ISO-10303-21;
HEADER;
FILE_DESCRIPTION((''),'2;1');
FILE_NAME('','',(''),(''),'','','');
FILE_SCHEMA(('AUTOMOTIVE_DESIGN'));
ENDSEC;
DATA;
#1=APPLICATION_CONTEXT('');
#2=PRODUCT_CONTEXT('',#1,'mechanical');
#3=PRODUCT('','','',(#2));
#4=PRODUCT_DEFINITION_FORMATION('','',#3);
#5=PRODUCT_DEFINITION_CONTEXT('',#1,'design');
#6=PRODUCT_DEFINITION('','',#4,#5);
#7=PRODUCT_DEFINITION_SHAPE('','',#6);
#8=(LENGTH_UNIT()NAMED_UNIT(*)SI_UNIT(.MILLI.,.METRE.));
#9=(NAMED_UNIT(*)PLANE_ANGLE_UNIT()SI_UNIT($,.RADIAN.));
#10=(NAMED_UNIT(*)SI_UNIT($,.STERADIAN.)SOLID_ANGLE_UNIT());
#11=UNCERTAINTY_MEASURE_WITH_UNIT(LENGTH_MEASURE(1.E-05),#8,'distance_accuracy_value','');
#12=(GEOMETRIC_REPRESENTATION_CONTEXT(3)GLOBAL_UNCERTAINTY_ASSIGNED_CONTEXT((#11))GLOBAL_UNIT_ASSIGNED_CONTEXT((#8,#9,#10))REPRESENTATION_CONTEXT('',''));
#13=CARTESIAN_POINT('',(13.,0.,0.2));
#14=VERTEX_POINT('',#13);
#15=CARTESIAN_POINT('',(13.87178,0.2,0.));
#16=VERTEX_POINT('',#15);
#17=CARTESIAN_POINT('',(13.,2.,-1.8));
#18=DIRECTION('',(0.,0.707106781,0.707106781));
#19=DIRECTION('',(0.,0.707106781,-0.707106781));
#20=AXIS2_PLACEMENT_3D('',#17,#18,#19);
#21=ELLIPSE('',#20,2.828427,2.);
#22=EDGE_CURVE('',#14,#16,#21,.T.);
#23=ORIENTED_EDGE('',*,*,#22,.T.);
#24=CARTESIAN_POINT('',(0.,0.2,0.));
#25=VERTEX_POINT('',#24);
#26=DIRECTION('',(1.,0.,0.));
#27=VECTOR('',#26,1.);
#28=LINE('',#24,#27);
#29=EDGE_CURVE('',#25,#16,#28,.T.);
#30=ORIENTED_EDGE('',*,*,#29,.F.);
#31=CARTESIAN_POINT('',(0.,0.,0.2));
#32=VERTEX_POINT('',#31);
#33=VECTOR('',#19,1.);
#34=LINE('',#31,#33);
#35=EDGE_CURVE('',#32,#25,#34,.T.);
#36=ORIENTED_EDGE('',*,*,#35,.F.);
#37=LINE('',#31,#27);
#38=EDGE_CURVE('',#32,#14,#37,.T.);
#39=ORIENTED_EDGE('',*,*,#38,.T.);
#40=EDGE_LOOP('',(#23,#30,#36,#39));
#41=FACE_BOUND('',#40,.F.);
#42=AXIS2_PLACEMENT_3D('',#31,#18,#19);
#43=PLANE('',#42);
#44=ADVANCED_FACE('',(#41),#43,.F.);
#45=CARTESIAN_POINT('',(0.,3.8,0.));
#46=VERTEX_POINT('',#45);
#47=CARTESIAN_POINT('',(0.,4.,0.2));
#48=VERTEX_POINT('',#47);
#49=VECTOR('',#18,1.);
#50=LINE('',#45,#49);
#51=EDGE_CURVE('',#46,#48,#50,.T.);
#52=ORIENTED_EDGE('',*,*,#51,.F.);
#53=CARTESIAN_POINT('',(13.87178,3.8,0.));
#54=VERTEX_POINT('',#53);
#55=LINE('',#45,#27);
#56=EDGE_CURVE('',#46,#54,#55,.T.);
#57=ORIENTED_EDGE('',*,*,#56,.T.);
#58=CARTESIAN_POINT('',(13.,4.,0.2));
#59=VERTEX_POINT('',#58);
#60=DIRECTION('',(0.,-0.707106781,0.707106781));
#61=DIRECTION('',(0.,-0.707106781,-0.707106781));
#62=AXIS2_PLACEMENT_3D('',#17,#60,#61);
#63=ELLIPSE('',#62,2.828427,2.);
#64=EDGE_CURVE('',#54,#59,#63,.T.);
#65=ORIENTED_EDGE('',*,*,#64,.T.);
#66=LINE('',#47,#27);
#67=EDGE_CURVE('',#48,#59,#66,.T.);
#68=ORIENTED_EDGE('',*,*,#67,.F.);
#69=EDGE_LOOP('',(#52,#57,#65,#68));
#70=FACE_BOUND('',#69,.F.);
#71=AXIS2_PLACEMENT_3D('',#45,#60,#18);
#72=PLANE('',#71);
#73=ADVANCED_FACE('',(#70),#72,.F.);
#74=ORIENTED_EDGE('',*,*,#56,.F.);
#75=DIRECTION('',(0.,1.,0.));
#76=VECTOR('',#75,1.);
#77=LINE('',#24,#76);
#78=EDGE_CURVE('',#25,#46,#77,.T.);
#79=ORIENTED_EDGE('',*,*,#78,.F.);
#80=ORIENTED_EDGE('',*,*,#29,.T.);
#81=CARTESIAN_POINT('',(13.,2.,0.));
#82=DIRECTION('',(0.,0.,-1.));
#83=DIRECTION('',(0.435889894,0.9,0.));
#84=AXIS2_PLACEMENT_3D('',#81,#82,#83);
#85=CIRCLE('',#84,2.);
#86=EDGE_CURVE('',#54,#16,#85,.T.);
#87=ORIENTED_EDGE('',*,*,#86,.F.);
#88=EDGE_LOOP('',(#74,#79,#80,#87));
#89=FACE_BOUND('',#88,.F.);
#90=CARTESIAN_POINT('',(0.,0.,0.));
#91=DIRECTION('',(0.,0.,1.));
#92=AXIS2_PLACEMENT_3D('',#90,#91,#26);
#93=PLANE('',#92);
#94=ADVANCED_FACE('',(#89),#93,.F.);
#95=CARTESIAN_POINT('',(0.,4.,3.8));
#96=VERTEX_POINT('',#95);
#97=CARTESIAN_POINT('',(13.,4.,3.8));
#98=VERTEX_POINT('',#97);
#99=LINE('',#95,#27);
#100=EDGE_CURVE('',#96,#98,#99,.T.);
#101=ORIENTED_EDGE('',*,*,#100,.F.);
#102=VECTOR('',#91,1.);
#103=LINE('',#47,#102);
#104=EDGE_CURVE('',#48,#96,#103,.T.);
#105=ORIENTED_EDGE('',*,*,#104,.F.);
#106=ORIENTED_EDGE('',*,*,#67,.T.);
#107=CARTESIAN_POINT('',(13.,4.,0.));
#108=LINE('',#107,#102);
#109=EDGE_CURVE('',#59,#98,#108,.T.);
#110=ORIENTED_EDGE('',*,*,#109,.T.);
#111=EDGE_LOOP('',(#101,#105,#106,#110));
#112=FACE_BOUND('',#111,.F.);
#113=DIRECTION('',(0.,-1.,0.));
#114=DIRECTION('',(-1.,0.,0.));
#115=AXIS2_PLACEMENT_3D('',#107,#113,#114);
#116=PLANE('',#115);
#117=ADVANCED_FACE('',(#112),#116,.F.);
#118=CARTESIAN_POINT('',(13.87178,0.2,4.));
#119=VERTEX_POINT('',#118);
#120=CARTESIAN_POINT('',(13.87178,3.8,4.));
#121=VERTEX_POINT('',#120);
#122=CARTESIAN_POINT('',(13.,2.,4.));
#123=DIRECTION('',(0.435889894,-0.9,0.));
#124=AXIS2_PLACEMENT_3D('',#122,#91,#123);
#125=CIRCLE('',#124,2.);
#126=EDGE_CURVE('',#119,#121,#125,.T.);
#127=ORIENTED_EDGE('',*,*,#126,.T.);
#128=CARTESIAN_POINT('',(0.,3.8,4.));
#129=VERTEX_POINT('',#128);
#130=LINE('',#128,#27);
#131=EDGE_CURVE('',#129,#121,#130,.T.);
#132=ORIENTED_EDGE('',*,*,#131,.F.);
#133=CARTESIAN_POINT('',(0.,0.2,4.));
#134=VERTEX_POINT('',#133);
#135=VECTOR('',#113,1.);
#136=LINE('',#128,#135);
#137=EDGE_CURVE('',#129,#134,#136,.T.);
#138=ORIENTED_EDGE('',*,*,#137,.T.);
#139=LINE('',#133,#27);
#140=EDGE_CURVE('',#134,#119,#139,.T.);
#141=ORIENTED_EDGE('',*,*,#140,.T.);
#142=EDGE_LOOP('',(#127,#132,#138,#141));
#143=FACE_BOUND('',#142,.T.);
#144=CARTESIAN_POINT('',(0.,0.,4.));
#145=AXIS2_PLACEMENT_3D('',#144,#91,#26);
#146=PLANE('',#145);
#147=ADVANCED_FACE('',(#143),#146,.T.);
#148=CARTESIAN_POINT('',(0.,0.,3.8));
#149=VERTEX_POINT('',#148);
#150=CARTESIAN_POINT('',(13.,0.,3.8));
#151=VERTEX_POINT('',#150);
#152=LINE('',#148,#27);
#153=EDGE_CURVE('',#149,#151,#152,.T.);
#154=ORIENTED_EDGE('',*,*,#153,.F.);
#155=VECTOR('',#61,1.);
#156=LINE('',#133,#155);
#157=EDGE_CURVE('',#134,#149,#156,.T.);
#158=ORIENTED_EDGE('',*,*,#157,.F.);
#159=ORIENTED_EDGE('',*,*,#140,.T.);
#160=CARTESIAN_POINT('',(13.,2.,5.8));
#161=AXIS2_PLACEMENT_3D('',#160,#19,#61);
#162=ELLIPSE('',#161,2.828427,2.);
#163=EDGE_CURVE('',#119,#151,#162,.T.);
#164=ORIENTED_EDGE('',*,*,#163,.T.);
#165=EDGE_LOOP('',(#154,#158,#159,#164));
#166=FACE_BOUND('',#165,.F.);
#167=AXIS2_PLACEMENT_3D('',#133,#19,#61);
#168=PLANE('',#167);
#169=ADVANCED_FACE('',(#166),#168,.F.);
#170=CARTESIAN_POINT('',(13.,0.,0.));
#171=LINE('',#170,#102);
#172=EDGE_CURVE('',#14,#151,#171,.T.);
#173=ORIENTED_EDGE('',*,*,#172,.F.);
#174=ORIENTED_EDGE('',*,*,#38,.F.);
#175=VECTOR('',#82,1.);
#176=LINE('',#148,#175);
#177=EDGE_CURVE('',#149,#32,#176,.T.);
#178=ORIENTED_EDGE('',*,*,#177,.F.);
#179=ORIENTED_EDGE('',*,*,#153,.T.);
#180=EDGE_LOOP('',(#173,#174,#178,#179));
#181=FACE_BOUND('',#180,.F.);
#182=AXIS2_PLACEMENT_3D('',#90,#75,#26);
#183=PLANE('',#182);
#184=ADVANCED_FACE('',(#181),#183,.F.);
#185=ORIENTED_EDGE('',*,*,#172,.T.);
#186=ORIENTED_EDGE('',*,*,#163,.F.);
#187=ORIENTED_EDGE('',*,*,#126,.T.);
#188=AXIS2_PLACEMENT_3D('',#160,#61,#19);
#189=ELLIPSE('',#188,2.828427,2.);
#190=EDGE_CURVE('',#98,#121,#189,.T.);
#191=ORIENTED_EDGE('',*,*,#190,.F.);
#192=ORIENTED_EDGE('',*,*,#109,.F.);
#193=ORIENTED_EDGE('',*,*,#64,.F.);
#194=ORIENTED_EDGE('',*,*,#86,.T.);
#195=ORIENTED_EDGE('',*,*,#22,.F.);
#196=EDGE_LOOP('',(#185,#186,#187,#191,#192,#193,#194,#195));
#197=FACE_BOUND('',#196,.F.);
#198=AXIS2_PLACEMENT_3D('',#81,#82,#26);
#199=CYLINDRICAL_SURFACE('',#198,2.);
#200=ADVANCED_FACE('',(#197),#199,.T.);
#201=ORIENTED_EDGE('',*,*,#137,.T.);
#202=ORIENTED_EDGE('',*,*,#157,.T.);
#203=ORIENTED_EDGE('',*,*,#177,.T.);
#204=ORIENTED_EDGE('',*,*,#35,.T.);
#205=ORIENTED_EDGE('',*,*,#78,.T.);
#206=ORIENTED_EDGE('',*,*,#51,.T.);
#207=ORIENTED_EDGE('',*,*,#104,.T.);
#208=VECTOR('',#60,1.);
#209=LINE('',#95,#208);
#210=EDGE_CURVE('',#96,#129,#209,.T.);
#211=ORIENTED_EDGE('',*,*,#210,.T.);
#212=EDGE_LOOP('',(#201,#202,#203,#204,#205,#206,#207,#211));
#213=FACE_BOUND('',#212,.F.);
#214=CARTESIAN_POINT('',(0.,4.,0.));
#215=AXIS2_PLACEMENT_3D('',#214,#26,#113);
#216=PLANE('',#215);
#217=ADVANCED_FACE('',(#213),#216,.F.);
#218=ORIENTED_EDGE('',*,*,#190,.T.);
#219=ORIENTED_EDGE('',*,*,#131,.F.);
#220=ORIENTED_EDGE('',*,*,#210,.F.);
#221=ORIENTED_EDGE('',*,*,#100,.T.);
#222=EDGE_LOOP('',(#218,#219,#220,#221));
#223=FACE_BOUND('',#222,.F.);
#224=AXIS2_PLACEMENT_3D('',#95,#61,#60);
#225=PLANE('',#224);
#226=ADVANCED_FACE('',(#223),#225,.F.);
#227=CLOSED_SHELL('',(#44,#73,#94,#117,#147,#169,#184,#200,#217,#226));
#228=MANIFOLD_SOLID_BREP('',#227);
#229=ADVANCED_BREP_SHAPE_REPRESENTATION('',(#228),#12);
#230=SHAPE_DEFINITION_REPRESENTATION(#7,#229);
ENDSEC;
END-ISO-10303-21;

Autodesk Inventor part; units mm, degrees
ref_plane "YZ Plane" through (0, 0, 0) normal (1, 0, 0) x (0, 1, 0)
ref_plane "XZ Plane" through (0, 0, 0) normal (0, 1, 0) x (-1, 0, 0)
ref_plane "XY Plane" through (0, 0, 0) normal (0, 0, 1) x (1, 0, 0)
sketch "Sketch_11" plane through (0, 0, 0) normal (0, 0, 1) x (1, 0, 0)
  line L0 (0, 0) -> (13, 0)
  arc A0 (13, 0) -> (15, 2) centre (13, 2) ccw
  arc A1 (15, 2) -> (13, 4) centre (13, 2) ccw
  line L1 (13, 4) -> (0, 4)
  line L2 (0, 4) -> (0, 0)
extrude "Extrusion1" add sketch "Sketch_11" along normal blind 4
sketch "Sketch_12" plane through (0, 0, 0) normal (1, 0, 0) x (0, 1, 0)
  line L0 (6, 6) -> (-2, 6)
  line L1 (-2, 6) -> (-2, -2)
  line L2 (-2, -2) -> (6, -2)
  line L3 (6, -2) -> (6, 6)
  line L4 (0.2, 4) -> (0, 3.8)
  line L5 (0, 3.8) -> (0, 0.2)
  line L6 (0, 0.2) -> (0.2, 0)
  line L7 (0.2, 0) -> (3.8, 0)
  line L8 (3.8, 0) -> (4, 0.2)
  line L9 (4, 0.2) -> (4, 3.8)
  line L10 (4, 3.8) -> (3.8, 4)
  line L11 (3.8, 4) -> (0.2, 4)
extrude "Extrusion2" cut sketch "Sketch_12" along normal blind 15
properties part number "KEGS4-15"
